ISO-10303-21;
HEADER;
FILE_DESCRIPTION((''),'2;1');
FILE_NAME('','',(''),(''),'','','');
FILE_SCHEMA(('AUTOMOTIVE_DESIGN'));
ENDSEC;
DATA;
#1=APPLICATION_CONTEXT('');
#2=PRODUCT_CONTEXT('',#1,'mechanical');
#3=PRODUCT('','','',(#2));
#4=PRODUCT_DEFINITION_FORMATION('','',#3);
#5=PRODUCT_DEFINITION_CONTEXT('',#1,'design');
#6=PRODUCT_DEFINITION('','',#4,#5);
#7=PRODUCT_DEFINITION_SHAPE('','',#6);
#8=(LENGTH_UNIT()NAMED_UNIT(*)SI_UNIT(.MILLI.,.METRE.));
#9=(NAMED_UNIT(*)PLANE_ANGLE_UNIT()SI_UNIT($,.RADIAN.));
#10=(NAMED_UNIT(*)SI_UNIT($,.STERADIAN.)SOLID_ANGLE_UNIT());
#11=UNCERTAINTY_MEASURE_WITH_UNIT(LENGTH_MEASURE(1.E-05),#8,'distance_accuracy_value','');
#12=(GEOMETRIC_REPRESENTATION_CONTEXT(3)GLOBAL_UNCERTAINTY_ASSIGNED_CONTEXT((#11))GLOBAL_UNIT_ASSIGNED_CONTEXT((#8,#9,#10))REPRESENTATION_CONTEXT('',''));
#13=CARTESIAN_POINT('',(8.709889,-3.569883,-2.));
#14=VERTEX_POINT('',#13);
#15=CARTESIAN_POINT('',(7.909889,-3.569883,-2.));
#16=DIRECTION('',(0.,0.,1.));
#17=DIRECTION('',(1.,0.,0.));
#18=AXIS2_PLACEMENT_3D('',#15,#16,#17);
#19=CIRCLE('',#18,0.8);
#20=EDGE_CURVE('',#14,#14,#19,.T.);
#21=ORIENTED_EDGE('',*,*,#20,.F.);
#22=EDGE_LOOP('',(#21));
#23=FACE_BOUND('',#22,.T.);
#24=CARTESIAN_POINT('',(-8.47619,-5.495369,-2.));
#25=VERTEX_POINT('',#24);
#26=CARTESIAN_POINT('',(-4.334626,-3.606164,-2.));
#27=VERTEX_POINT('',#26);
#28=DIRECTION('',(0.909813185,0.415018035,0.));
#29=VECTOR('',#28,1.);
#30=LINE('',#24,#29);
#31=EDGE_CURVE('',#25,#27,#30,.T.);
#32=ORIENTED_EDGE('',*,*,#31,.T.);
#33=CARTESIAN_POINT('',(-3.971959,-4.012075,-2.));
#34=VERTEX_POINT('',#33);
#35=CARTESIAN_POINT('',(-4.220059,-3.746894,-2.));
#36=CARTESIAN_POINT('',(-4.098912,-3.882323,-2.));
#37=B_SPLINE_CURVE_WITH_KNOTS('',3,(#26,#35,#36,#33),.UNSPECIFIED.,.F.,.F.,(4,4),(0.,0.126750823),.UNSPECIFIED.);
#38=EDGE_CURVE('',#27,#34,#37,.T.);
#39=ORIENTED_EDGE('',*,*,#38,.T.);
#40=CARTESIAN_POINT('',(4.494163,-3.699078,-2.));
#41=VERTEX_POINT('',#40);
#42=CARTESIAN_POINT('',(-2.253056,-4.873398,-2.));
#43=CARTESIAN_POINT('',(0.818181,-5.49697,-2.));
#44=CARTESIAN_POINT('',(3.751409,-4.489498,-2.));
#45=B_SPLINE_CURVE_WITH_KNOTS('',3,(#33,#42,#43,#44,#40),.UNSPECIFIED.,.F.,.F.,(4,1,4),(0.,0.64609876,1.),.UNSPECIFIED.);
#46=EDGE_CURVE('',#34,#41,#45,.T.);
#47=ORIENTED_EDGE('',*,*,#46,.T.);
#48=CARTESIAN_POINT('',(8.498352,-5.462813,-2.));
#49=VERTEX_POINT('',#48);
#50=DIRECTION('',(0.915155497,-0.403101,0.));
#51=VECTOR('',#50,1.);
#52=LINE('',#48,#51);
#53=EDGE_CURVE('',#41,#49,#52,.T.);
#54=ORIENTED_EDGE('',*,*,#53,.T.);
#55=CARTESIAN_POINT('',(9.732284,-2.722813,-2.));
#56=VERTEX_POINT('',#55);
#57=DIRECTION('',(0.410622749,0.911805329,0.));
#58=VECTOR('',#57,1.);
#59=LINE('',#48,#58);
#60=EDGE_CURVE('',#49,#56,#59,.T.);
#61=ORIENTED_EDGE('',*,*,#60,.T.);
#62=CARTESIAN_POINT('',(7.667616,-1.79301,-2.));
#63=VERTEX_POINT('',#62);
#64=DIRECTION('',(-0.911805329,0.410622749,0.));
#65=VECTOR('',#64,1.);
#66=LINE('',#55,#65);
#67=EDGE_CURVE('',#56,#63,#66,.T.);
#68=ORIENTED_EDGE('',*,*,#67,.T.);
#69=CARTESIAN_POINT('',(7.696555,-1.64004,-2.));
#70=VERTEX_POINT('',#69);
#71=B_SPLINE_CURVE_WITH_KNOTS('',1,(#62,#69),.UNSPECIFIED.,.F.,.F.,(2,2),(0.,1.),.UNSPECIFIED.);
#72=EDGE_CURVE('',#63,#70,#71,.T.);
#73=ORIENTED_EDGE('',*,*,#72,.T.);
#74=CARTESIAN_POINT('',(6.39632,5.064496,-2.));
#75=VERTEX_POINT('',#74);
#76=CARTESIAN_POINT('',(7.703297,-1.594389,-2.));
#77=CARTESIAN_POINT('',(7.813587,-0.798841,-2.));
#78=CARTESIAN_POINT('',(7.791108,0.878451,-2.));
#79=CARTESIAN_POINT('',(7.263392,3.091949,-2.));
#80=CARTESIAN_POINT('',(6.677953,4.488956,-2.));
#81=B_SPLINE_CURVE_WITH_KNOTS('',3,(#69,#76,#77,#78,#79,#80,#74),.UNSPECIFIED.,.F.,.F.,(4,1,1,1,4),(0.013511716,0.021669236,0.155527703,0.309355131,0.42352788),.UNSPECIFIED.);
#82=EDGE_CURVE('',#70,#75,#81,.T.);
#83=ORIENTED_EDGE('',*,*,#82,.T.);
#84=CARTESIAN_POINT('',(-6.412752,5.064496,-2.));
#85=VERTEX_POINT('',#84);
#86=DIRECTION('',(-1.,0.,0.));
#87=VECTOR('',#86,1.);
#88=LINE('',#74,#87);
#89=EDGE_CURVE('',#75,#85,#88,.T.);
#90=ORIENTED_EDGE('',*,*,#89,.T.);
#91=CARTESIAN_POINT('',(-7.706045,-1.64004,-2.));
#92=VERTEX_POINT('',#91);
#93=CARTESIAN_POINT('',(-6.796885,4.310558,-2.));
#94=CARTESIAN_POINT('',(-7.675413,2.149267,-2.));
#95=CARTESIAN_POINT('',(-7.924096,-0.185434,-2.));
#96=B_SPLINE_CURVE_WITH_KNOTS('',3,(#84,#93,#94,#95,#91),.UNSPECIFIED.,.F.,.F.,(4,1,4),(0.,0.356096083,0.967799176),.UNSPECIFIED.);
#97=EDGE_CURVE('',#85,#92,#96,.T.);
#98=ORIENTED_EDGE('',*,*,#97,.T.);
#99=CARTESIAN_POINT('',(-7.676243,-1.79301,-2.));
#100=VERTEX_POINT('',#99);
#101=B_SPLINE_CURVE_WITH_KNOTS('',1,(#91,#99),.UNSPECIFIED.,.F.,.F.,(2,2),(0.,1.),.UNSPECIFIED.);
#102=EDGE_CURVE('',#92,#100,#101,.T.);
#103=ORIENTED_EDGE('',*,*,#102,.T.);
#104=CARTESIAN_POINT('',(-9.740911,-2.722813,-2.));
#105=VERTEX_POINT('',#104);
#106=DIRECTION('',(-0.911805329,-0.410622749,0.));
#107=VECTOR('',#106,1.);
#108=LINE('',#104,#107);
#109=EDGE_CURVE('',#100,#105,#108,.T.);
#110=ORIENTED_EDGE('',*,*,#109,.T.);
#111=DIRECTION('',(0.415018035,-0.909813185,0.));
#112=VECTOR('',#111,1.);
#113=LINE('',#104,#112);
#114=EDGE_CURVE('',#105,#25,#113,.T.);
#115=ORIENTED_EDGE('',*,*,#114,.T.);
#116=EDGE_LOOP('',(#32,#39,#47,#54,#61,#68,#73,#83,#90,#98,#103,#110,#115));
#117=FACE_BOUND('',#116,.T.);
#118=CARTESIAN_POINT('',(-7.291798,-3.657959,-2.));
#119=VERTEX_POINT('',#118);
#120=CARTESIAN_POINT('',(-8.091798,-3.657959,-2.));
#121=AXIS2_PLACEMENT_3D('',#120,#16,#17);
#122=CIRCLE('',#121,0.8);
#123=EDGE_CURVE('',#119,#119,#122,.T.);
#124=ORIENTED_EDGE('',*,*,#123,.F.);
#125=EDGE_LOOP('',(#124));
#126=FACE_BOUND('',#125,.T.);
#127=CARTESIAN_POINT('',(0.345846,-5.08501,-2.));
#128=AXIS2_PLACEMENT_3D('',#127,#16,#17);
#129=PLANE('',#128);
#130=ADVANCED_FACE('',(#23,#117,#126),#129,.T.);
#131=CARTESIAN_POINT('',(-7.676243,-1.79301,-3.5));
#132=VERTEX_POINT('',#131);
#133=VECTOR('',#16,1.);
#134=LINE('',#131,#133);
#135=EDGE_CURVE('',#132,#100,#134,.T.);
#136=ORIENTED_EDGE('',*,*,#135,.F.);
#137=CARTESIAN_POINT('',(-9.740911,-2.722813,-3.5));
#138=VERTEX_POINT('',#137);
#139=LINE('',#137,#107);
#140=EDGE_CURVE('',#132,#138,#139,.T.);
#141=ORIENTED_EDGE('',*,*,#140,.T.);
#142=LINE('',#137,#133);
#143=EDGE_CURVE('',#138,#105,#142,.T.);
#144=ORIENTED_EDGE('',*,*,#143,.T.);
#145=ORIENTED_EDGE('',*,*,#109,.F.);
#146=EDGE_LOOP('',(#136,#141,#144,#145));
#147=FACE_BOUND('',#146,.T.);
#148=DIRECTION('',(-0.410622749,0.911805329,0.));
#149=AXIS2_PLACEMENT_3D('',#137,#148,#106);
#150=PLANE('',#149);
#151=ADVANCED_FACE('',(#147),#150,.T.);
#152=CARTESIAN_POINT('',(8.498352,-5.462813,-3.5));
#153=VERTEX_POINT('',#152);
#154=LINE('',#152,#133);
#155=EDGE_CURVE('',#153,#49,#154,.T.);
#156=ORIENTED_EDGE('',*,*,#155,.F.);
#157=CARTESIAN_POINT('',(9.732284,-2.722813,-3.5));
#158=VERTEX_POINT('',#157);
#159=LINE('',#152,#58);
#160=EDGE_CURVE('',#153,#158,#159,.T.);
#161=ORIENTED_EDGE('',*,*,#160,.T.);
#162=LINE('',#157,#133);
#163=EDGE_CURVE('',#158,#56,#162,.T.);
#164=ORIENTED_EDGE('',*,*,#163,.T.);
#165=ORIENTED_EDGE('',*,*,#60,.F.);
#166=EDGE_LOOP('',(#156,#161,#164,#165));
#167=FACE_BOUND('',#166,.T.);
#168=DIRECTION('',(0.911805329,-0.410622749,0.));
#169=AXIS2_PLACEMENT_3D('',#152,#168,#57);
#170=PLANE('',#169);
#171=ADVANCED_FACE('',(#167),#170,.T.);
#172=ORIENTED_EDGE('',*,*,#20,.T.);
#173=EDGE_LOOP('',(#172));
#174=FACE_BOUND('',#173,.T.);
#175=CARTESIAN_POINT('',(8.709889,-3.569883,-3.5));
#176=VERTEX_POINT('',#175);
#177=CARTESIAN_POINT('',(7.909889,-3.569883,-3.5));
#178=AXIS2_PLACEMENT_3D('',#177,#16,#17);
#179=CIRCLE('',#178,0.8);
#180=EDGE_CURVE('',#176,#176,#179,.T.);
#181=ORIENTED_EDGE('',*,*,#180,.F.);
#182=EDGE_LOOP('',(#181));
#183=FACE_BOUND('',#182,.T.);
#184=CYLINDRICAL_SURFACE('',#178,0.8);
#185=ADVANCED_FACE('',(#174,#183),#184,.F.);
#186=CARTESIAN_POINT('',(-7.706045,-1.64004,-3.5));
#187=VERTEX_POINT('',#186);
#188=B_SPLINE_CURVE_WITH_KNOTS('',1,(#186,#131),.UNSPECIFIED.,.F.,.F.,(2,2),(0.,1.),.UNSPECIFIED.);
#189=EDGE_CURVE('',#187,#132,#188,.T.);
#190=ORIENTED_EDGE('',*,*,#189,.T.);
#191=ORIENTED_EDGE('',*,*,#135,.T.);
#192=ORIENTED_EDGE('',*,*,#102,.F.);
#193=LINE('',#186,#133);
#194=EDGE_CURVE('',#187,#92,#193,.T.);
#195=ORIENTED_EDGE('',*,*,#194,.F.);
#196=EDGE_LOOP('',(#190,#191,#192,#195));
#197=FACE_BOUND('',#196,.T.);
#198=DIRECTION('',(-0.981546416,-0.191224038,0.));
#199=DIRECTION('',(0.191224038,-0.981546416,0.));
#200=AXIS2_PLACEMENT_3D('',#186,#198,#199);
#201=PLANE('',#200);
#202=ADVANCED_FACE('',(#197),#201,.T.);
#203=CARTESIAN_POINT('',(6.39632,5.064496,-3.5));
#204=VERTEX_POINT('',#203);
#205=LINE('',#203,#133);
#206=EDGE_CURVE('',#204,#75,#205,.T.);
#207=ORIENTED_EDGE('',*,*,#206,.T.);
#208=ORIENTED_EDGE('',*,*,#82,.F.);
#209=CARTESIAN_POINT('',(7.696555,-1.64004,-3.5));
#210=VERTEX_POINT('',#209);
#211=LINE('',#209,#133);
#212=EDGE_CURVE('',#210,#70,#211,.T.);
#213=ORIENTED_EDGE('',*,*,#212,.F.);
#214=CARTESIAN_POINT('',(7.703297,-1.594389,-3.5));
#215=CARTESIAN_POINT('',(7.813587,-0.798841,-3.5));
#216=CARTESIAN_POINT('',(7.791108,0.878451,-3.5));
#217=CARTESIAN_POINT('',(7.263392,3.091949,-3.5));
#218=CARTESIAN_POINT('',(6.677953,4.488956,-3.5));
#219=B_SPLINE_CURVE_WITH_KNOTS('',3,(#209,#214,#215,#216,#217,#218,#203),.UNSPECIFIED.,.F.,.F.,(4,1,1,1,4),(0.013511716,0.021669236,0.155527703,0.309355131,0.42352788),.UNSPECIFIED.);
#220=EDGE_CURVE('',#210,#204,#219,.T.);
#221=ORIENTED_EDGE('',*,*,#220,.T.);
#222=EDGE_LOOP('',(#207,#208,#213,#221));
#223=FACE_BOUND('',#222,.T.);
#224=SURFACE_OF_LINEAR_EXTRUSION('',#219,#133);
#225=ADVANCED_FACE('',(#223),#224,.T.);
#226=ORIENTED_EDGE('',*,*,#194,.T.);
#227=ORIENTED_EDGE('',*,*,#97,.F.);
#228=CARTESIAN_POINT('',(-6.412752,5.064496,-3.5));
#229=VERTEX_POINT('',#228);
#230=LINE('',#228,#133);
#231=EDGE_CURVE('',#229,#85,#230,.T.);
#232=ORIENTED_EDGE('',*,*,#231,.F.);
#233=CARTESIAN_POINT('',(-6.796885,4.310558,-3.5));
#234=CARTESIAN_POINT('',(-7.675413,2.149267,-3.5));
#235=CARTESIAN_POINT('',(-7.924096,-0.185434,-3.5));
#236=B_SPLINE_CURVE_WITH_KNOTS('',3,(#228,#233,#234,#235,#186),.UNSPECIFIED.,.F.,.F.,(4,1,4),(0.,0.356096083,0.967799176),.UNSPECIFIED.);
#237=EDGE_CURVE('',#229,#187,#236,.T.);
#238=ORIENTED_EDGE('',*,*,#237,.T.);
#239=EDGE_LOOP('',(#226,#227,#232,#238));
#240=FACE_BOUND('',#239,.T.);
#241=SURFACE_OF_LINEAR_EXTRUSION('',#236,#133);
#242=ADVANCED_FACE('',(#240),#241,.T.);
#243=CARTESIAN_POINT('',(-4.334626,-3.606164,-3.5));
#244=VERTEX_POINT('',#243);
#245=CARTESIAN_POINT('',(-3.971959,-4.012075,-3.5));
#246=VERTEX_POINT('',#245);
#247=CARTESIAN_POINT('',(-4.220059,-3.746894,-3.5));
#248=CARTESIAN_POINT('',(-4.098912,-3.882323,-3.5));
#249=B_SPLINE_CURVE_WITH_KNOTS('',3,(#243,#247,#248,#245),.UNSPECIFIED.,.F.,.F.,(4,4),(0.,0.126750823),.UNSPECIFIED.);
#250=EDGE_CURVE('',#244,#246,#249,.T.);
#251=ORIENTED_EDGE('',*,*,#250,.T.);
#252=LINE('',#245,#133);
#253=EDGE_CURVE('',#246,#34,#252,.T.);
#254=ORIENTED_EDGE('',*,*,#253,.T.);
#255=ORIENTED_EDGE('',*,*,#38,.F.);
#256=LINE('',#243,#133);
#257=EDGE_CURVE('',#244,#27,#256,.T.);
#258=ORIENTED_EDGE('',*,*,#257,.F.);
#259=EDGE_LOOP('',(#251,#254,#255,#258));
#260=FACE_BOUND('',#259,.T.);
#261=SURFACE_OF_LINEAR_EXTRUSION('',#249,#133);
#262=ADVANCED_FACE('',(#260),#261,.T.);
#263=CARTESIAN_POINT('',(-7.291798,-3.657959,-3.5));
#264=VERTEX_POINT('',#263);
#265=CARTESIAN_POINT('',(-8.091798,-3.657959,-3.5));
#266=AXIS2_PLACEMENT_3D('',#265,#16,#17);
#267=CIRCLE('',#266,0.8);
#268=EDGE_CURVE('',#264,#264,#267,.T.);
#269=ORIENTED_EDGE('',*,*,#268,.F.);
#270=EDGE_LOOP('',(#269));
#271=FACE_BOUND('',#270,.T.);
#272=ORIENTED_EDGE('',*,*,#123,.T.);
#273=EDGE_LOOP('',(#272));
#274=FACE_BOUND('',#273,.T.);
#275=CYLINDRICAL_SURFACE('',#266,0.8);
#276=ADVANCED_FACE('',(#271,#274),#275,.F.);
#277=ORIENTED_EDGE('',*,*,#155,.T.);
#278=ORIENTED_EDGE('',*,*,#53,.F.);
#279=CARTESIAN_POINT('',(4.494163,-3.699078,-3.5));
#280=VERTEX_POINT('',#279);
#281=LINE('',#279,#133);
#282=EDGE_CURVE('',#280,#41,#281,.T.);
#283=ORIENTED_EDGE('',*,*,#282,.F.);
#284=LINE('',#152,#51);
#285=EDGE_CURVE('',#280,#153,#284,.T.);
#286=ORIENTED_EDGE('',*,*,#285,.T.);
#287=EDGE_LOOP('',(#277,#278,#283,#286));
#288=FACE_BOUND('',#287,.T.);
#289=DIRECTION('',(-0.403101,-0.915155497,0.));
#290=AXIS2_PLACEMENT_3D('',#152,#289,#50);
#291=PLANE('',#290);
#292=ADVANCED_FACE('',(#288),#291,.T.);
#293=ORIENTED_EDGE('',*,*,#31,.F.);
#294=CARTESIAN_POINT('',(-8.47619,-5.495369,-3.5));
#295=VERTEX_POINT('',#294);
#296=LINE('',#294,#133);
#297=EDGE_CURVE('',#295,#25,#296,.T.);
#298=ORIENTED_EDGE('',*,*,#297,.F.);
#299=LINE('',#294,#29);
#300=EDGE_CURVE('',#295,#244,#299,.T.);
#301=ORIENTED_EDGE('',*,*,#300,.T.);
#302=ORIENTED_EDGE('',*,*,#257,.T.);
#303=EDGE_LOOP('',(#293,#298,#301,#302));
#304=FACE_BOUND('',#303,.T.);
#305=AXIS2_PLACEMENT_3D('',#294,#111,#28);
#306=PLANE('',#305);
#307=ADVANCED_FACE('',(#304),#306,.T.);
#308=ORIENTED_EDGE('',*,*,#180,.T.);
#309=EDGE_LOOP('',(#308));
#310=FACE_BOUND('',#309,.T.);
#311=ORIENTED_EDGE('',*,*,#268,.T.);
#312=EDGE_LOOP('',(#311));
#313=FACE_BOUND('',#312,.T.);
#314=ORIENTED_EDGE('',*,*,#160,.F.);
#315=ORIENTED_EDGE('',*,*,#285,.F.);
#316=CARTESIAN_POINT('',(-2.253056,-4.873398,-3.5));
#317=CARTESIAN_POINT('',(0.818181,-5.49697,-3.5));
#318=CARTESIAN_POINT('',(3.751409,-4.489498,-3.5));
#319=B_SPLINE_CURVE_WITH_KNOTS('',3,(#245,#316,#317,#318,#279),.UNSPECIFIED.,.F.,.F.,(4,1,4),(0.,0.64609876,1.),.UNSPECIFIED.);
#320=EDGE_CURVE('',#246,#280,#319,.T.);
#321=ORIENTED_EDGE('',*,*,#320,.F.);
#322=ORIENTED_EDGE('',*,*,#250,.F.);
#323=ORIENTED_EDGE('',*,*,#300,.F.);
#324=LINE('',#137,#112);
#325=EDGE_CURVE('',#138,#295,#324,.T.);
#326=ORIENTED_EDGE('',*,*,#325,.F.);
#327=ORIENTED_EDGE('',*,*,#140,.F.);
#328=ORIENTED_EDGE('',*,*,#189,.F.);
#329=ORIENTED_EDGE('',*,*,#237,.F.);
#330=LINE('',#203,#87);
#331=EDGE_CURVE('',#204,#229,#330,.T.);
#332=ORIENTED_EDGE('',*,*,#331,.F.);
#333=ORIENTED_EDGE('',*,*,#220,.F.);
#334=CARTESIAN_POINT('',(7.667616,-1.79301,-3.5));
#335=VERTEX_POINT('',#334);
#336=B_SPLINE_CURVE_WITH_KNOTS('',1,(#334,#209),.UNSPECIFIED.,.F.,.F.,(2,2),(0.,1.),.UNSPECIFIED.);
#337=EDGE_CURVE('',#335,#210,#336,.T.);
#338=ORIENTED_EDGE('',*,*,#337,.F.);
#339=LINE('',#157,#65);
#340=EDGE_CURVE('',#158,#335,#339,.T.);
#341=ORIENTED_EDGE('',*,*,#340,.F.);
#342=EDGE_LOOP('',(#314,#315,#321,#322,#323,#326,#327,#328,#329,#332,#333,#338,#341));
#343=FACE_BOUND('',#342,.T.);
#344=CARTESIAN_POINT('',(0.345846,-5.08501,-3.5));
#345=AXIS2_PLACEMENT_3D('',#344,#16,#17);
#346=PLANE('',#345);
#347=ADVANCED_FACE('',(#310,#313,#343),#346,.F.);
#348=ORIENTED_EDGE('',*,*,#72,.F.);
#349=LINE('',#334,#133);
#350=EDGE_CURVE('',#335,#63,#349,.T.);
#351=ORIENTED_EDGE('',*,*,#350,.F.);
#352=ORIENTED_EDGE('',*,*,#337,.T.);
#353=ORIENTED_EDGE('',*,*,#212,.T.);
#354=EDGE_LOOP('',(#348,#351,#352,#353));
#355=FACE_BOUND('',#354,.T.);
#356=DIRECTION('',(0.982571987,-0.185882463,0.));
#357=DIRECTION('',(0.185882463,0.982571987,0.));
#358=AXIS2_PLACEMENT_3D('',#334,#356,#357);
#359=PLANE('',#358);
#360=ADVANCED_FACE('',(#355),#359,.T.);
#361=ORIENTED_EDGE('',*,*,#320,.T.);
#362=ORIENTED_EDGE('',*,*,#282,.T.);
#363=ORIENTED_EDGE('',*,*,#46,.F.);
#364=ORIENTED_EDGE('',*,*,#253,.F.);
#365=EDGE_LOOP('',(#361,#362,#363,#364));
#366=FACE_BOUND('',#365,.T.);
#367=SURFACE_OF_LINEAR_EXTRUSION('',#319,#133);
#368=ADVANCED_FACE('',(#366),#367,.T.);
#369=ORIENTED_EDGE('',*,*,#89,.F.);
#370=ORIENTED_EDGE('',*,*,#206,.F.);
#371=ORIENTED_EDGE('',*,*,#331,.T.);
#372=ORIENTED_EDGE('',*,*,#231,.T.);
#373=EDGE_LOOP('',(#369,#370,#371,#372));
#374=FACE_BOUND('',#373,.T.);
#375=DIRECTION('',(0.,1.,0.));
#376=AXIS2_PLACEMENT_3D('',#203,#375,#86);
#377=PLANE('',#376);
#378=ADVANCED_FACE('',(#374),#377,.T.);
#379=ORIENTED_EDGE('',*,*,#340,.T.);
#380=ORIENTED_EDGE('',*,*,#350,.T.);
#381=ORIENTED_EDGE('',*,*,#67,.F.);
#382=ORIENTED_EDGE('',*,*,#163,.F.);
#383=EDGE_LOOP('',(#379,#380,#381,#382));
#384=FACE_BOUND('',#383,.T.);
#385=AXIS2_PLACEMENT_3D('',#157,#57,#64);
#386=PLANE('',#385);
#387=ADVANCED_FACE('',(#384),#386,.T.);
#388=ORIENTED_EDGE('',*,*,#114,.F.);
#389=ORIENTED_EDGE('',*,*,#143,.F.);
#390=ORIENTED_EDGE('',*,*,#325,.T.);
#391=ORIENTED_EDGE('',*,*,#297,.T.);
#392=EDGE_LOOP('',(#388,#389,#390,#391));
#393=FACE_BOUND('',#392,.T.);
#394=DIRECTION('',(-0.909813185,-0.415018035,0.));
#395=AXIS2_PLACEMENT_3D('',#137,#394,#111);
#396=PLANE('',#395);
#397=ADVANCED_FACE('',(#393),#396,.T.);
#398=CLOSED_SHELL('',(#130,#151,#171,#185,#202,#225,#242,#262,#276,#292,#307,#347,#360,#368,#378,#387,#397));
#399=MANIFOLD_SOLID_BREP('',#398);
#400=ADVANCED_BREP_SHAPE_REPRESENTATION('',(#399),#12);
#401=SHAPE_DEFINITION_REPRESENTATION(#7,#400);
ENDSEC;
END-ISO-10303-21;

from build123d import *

# Parameters (mm, degrees)
BOSS_EXTRUDE1_START = -2
SKETCH1_R           = 0.8
BOSS_EXTRUDE1_DEPTH = 1.5


with BuildPart() as part:
    # Sketch1 → Boss-Extrude1 (new body)
    with BuildSketch(Plane.XY.offset(BOSS_EXTRUDE1_START)):
        with BuildLine():
            Line((-9.740911438, -2.722813484), (-8.476189779, -5.495368755))
            Line((-8.476189779, -5.495368755), (-4.334626233, -3.606163814))
            add(Edge.make_bspline(
                [(-4.334626233, -3.606163814), (-4.220059154, -3.746893984), (-4.098911696, -3.882323382), (-3.971959366, -4.012075441)],
                knots=[0, 0, 0, 0, 0.126750823, 0.126750823, 0.126750823, 0.126750823], degree=3))
            add(Edge.make_bspline(
                [(4.494162658, -3.699077527), (3.751409152, -4.48949841), (0.818181256, -5.496970155), (-2.253055886, -4.873398081), (-3.971959366, -4.012075441)],
                knots=[0, 0, 0, 0, 0.35390124, 1, 1, 1, 1], degree=3))
            Line((4.494162658, -3.699077527), (8.498351825, -5.462813486))
            Line((8.498351825, -5.462813486), (9.73228444, -2.722813484))
            Line((9.73228444, -2.722813484), (7.667616443, -1.793010133))
            Line((7.667616443, -1.793010133), (7.696555299, -1.640039759))
            add(Edge.make_bspline(
                [(6.39631974, 5.064495713), (6.677952564, 4.488955557), (7.263392082, 3.091949217), (7.791107632, 0.878451291), (7.813586585, -0.798840627), (7.703296692, -1.594388982), (7.696555299, -1.640039759)],
                knots=[0.013511716, 0.013511716, 0.013511716, 0.013511716, 0.127684465, 0.281511893, 0.415370359, 0.42352788, 0.42352788, 0.42352788, 0.42352788], degree=3))
            Line((6.39631974, 5.064495713), (-6.412751764, 5.064495713))
            add(Edge.make_bspline(
                [(-7.706044999, -1.640039759), (-7.92409566, -0.185434038), (-7.675413336, 2.149266822), (-6.7968854, 4.310558244), (-6.412751764, 5.064495713)],
                knots=[0, 0, 0, 0, 0.611703094, 0.967799176, 0.967799176, 0.967799176, 0.967799176], degree=3))
            Line((-7.706044999, -1.640039759), (-7.676243441, -1.793010133))
            Line((-7.676243441, -1.793010133), (-9.740911438, -2.722813484))
        make_face()
        with Locations((-8.091798032, -3.657959287)):
            Circle(SKETCH1_R, mode=Mode.SUBTRACT)
        with Locations((7.909888927, -3.569882761)):
            Circle(SKETCH1_R, mode=Mode.SUBTRACT)
    extrude(amount=-BOSS_EXTRUDE1_DEPTH)


solid = part.part
